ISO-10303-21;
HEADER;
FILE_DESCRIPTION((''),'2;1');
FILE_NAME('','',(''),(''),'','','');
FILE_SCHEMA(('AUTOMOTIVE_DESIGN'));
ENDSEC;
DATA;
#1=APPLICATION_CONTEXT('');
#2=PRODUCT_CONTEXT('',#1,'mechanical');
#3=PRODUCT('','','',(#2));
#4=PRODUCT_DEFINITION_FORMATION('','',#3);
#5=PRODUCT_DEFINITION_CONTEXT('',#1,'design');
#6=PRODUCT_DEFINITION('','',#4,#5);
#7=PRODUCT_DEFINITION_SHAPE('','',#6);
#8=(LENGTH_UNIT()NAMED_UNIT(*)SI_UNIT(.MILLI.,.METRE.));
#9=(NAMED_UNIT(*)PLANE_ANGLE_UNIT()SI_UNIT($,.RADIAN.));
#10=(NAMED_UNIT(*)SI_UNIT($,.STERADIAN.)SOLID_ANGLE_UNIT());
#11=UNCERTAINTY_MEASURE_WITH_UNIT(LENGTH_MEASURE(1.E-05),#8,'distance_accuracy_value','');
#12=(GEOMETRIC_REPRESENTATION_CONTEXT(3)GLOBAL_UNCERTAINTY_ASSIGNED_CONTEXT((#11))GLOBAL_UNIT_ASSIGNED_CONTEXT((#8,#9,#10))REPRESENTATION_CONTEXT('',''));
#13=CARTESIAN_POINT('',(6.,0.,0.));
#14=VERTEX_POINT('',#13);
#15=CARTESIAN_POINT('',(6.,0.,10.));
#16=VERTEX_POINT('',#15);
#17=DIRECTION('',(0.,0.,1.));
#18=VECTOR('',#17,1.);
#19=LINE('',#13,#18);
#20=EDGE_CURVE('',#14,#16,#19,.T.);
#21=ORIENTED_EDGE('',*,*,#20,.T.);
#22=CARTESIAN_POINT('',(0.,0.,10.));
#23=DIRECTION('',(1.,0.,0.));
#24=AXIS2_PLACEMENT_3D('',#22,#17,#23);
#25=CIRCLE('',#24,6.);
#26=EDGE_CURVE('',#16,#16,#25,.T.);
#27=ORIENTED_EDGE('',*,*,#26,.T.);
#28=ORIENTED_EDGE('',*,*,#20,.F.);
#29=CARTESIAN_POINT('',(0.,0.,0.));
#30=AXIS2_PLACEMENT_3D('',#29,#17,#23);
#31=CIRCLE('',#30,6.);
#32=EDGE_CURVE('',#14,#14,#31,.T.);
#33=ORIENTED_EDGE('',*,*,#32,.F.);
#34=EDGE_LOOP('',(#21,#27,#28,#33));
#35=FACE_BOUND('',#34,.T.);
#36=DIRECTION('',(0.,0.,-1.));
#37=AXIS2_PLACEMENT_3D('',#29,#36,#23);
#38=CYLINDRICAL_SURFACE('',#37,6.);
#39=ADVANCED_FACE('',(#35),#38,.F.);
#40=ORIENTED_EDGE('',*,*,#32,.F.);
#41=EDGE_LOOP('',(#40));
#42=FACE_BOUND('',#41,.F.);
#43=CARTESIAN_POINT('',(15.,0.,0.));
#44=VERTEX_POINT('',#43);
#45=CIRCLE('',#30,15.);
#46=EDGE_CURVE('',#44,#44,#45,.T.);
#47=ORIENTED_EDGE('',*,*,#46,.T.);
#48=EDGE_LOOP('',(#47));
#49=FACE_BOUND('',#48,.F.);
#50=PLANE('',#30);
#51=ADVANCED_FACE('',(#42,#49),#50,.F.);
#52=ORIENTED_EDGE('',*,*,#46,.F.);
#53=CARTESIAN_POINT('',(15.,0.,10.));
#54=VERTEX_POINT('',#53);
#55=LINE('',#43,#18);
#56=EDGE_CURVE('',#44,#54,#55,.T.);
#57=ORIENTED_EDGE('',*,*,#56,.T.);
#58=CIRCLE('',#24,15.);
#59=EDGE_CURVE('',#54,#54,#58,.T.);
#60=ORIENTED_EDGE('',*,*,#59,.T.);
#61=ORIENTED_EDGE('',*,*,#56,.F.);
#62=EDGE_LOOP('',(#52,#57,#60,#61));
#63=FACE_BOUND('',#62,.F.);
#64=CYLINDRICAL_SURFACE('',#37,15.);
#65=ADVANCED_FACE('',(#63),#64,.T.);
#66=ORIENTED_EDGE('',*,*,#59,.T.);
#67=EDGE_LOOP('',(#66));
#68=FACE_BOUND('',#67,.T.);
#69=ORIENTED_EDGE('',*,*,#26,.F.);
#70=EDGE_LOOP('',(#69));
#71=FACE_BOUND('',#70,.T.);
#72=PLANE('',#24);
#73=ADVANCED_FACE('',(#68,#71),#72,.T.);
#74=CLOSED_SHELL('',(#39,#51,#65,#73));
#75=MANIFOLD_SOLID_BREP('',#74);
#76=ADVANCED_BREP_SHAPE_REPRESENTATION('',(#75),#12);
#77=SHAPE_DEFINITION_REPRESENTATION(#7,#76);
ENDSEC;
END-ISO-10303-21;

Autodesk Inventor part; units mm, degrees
ref_plane "YZ Plane" through (0, 0, 0) normal (1, 0, 0) x (0, 1, 0)
ref_plane "XZ Plane" through (0, 0, 0) normal (0, 1, 0) x (-1, 0, 0)
ref_plane "XY Plane" through (0, 0, 0) normal (0, 0, 1) x (1, 0, 0)
sketch "スケッチ1" plane through (0, 0, 0) normal (0, 0, 1) x (1, 0, 0)
  circle A0 centre (0, 0) radius 15
  circle A1 centre (0, 0) radius 6
  dimension "d0" = 30
  dimension "d1" = 12
extrude "押し出し1" add sketch "スケッチ1" along normal blind 10
properties part number "TH22_mechalock" material "鋼"
